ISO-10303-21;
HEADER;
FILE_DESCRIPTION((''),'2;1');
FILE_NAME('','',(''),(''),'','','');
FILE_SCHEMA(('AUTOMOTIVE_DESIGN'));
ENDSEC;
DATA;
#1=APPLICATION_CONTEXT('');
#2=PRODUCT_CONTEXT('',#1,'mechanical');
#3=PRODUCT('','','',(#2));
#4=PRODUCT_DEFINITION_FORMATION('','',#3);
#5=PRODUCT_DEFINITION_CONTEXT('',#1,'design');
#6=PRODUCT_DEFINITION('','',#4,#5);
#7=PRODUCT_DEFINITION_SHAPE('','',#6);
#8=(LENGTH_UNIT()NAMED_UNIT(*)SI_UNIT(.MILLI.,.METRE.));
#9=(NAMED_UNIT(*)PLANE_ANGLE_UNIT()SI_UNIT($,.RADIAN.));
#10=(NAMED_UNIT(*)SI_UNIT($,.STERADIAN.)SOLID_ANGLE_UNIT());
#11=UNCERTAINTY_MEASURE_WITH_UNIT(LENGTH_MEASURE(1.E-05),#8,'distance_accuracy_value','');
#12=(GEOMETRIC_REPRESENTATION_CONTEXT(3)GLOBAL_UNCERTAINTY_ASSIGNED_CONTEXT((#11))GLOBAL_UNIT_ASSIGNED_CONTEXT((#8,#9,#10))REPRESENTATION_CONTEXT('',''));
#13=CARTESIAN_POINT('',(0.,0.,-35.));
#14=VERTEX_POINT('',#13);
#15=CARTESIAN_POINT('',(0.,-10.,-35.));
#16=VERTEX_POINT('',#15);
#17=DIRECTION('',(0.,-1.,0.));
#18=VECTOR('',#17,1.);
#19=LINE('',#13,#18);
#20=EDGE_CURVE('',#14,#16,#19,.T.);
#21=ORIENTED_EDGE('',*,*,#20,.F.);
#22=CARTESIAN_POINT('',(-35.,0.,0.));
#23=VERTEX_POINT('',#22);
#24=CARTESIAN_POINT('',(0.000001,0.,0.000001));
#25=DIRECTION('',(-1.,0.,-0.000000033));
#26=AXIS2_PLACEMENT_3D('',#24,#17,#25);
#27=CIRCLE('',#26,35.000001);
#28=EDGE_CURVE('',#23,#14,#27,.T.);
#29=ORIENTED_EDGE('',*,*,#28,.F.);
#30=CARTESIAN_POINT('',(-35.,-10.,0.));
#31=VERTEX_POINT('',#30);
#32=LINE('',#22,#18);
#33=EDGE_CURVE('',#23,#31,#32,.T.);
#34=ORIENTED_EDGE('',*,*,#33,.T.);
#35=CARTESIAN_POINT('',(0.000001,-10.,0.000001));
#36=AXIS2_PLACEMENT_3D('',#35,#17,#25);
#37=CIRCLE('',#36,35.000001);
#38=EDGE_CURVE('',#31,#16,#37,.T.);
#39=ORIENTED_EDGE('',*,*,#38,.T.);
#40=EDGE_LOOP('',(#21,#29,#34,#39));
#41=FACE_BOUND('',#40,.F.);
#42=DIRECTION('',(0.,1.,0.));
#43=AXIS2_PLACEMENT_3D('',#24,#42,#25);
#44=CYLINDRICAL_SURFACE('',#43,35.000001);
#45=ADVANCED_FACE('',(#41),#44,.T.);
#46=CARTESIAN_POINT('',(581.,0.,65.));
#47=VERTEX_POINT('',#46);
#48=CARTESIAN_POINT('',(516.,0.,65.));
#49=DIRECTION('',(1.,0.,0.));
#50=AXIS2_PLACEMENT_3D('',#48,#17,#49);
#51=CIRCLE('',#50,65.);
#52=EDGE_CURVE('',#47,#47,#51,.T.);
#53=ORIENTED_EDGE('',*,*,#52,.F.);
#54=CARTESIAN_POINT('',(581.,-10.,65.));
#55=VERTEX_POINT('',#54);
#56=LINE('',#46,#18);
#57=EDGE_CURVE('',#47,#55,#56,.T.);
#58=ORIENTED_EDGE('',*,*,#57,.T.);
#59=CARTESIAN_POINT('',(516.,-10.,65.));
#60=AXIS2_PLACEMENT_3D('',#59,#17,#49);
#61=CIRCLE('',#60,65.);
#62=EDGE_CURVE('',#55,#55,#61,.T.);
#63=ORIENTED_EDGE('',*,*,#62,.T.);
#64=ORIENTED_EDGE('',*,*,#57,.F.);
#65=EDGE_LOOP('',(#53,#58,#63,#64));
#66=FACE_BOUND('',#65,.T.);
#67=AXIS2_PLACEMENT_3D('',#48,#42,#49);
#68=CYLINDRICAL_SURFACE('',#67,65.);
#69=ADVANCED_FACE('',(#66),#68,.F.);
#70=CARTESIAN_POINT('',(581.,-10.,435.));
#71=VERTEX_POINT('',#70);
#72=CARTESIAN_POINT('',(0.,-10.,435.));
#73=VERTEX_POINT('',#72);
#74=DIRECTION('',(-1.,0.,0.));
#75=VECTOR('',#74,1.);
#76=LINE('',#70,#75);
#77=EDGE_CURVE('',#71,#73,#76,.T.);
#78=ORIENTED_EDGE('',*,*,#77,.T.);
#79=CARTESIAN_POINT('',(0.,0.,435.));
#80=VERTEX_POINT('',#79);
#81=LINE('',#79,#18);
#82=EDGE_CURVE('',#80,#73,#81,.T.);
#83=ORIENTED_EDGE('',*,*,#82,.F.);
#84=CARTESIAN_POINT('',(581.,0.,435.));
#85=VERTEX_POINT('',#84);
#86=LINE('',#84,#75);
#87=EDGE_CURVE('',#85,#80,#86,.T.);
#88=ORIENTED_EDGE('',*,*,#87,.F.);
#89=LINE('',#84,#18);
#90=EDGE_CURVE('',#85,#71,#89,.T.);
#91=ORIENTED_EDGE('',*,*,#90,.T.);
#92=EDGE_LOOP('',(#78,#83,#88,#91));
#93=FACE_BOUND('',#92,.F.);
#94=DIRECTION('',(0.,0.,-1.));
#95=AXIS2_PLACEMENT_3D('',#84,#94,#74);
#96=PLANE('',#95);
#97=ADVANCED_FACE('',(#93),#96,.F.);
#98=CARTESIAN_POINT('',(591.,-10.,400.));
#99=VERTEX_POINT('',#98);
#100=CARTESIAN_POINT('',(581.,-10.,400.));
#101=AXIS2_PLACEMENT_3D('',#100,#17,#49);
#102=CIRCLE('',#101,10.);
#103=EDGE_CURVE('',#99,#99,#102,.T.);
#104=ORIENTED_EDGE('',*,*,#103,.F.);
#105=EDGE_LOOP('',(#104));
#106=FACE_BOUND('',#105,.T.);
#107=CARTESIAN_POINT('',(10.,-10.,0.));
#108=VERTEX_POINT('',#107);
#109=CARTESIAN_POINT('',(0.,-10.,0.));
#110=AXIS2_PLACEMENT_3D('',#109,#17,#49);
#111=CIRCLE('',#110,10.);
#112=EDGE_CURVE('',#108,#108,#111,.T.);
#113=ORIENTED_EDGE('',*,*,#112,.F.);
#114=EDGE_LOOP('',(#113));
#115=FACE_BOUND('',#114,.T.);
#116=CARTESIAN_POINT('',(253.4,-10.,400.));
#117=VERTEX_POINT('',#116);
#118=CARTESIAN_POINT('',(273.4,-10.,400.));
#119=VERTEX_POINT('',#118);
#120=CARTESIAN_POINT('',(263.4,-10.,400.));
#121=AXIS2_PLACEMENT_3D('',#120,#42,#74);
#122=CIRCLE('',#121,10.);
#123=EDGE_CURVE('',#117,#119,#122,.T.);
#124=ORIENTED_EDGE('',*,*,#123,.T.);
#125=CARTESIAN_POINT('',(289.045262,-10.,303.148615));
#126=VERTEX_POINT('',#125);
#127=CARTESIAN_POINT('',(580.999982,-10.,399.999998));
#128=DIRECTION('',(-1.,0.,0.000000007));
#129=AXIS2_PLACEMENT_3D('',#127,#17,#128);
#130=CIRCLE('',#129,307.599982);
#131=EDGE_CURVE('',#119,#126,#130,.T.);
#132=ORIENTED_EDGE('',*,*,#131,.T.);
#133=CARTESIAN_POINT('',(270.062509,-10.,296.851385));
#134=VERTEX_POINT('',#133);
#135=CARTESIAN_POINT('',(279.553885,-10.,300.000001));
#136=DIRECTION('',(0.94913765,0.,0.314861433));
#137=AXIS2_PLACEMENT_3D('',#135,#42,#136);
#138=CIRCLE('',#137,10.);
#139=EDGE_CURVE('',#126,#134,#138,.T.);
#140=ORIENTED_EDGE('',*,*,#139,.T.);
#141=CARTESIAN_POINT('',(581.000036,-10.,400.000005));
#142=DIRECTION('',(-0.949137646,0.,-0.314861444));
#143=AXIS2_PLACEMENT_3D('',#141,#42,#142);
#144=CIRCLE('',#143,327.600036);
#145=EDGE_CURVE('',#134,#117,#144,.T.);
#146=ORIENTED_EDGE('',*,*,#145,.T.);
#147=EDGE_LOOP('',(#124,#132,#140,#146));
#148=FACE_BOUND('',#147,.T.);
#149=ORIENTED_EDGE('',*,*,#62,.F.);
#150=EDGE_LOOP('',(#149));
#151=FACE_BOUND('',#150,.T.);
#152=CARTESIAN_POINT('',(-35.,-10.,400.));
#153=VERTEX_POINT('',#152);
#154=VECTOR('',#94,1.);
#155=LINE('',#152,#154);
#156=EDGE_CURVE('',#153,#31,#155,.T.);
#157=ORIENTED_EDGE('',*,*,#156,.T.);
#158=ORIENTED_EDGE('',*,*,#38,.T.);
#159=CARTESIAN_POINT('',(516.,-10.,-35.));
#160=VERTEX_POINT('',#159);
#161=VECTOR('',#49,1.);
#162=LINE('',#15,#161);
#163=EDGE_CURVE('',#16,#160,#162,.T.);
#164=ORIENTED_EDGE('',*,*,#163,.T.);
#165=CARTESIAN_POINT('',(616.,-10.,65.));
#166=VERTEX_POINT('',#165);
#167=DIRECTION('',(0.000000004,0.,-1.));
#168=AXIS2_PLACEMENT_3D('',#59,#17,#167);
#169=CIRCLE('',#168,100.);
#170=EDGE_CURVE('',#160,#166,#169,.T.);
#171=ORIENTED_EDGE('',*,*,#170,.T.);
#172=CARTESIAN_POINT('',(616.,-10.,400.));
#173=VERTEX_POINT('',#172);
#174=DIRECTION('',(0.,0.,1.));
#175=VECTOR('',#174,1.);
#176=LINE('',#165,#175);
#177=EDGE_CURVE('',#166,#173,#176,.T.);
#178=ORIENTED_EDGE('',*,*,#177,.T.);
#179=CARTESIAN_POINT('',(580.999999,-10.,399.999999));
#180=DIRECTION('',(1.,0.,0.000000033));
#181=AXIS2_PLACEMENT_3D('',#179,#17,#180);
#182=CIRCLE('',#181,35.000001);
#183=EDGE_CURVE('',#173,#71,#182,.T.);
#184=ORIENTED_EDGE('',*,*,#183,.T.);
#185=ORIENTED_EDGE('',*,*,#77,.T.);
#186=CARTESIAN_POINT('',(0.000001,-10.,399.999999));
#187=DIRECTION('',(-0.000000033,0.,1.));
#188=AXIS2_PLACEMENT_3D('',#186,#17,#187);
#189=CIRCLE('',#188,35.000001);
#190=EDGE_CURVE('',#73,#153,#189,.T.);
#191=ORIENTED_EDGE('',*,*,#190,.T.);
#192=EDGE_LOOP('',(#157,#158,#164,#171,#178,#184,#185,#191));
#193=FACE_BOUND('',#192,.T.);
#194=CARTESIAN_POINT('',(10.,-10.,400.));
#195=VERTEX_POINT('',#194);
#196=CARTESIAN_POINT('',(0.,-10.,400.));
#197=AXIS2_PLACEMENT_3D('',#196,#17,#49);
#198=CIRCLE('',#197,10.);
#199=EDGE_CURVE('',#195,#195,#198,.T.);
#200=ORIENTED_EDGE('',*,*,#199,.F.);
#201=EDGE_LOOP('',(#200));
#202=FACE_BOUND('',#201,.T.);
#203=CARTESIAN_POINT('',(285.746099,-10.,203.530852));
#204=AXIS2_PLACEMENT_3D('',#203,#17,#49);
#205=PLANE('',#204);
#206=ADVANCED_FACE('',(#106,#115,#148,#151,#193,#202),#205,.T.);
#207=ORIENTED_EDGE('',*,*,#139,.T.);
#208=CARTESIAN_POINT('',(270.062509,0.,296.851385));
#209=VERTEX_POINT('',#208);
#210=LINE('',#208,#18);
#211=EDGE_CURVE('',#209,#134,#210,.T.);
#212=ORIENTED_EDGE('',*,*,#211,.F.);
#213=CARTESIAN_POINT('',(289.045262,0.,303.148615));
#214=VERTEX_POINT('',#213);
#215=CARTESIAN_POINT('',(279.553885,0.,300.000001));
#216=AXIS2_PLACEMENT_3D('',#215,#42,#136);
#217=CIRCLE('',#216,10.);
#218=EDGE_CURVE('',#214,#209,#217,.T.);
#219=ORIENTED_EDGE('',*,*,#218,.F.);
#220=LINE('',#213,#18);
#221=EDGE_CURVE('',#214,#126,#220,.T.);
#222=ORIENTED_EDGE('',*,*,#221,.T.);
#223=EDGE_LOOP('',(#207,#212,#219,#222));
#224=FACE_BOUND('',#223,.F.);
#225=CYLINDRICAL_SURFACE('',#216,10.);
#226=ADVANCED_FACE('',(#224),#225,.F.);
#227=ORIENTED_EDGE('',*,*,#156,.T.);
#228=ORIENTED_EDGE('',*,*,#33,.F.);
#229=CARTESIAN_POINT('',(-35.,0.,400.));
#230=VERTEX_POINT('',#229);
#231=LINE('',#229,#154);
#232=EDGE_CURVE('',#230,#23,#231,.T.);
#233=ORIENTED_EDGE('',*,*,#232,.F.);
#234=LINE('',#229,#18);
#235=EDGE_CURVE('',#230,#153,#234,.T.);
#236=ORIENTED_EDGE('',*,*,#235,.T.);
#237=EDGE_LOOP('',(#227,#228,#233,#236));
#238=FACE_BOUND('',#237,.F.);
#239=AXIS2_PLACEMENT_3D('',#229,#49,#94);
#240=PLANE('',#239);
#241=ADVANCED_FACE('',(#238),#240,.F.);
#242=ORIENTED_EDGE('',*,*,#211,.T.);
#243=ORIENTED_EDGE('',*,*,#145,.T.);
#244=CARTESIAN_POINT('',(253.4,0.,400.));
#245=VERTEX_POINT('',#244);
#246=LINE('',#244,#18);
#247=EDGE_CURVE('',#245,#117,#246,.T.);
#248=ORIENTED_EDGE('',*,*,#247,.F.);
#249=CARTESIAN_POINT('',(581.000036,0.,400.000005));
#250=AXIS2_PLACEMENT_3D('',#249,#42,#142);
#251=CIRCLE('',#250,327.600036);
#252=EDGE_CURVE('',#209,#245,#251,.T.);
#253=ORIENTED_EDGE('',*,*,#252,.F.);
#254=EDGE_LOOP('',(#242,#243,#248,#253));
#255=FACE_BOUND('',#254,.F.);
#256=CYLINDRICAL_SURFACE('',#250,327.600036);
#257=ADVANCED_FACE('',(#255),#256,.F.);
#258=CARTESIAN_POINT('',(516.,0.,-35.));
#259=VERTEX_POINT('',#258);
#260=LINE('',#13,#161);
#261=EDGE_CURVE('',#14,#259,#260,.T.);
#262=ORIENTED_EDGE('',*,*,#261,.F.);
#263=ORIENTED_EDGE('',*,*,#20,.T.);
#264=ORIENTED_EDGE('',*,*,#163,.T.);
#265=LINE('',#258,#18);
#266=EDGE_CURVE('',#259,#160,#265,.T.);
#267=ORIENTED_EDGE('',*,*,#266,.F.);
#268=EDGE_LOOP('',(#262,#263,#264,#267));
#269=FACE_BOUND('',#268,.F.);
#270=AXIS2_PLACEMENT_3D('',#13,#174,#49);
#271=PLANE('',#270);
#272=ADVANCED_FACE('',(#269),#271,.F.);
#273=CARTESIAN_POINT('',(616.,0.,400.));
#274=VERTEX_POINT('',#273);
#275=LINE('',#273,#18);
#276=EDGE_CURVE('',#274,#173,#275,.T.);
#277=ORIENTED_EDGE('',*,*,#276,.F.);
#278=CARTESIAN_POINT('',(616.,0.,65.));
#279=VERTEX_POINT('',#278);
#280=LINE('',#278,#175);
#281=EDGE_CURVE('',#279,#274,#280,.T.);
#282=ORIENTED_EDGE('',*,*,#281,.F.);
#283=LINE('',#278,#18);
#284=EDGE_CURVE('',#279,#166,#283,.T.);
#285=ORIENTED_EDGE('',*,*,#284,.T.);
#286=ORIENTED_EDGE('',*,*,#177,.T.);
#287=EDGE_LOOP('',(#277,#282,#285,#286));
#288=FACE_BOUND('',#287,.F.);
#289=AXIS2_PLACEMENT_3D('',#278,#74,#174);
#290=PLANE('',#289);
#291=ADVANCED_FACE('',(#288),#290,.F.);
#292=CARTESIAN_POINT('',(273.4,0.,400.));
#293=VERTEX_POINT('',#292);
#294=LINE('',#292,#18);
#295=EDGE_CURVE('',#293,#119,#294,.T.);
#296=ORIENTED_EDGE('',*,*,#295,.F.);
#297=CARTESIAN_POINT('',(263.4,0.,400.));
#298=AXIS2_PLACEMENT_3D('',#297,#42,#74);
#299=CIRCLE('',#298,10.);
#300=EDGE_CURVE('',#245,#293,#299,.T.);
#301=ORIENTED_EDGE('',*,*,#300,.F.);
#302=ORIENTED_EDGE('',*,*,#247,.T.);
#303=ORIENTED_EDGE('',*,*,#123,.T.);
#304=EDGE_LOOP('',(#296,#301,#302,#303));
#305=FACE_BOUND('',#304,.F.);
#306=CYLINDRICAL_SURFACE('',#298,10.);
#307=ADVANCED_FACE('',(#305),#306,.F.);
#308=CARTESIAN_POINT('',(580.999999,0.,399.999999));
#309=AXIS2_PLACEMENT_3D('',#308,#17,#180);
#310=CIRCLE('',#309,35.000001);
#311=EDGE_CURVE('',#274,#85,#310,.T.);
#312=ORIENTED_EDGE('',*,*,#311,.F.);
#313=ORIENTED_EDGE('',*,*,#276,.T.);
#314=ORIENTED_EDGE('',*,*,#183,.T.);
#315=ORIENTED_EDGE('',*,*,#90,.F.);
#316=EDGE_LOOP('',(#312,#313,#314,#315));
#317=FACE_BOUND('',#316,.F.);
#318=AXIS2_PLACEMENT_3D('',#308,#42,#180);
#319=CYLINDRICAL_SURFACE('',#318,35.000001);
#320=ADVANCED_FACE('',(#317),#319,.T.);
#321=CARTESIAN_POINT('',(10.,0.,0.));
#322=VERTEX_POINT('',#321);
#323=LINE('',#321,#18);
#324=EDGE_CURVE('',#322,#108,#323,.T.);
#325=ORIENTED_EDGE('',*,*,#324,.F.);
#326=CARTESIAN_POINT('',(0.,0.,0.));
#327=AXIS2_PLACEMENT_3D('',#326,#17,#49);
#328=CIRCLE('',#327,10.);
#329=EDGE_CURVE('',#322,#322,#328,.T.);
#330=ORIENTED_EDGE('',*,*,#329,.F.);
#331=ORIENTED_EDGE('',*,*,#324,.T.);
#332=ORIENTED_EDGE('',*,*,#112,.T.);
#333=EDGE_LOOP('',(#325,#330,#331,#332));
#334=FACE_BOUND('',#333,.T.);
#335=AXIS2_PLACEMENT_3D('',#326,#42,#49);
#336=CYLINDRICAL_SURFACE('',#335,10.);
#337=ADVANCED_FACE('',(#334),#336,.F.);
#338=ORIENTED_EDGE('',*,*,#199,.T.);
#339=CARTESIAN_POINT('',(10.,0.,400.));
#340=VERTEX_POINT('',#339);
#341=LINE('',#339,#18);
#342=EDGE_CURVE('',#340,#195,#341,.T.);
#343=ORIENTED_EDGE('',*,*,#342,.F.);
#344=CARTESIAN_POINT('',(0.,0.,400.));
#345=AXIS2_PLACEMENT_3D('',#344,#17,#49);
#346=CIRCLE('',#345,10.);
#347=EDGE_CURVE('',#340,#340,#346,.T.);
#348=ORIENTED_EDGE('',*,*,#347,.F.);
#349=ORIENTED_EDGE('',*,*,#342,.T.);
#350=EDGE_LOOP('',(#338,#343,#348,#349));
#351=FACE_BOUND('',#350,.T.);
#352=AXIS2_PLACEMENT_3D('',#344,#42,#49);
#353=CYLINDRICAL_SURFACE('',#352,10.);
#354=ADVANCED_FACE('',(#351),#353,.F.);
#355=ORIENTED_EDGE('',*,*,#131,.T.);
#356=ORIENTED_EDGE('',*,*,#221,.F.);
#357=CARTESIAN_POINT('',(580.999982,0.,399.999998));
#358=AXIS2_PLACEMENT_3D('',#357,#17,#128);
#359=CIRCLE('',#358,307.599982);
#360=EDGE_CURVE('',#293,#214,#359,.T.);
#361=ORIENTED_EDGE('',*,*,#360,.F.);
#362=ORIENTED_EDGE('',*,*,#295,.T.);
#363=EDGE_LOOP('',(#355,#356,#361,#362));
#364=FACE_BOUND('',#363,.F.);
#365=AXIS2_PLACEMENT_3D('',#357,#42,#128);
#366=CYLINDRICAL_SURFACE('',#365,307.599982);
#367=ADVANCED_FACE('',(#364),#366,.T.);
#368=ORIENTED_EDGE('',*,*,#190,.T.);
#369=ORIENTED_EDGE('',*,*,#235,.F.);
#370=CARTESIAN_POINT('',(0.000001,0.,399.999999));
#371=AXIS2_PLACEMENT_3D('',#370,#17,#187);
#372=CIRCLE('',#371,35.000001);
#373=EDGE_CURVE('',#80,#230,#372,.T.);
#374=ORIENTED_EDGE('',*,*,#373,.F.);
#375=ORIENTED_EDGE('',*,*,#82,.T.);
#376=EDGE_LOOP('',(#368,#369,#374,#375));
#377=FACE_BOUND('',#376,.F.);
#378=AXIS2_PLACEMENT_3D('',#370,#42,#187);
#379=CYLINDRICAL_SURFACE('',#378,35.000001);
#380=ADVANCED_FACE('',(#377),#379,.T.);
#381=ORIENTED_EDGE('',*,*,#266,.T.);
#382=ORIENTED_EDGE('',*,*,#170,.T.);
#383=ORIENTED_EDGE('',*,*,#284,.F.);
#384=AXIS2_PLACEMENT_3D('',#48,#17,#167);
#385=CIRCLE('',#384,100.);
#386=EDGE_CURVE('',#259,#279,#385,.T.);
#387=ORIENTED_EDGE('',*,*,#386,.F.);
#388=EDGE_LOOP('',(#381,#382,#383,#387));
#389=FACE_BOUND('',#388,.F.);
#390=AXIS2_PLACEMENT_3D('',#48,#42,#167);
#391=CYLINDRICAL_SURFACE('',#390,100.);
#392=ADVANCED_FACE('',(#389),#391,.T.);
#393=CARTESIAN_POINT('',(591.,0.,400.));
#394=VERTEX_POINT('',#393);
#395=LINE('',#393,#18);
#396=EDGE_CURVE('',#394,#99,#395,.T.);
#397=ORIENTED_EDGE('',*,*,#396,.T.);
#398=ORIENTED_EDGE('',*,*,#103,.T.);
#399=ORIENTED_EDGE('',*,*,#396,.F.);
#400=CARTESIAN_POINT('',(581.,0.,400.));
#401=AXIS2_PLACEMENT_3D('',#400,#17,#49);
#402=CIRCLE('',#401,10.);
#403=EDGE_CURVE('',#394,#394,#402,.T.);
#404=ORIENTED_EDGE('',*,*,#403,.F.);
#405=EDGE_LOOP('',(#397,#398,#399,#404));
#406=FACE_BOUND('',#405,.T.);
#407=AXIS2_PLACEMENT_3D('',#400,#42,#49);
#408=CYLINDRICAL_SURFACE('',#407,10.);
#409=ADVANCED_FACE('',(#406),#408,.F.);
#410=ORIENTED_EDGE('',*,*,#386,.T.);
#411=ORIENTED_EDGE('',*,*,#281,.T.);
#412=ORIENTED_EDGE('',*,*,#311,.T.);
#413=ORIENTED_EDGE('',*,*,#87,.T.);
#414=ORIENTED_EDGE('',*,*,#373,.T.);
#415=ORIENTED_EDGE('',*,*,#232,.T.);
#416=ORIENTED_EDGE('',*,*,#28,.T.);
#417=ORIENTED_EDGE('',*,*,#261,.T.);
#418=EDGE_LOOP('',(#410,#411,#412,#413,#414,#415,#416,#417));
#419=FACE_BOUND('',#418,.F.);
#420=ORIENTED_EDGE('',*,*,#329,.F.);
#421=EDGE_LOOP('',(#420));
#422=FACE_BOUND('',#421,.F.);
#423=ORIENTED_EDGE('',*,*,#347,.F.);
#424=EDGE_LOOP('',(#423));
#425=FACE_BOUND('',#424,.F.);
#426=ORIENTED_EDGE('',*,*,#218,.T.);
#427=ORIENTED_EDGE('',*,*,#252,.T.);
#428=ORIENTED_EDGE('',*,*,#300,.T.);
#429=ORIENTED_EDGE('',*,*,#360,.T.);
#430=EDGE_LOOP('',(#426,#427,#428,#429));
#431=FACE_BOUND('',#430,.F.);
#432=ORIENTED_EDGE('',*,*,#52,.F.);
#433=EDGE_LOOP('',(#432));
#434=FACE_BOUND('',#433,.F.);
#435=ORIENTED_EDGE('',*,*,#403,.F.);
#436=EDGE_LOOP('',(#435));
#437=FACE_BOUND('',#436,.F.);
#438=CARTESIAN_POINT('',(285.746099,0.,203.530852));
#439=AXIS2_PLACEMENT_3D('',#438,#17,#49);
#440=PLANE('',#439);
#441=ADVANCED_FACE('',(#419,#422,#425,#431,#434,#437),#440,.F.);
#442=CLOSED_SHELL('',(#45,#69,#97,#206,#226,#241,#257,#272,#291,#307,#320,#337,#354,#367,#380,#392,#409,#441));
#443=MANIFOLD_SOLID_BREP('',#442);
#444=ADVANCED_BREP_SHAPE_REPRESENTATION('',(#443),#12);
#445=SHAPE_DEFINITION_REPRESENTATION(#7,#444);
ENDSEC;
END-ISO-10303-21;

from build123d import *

# Parameters (mm, degrees)
F0_R     = 10
F0_R_2   = 65
F1_DEPTH = 10


with BuildPart() as f1:
    # F0 (on Front) → F1 (new body)
    with BuildSketch(Plane.XZ):
        with BuildLine():
            Line((-35, 400), (-35, 0))
            ThreePointArc((-35, 0), (-24.748737, -24.748737), (0, -35))
            Line((0, -35), (516, -35))
            ThreePointArc((516, -35), (586.710678, -5.710678), (616, 65))
            Line((616, 65), (616, 400))
            ThreePointArc((616, 400), (605.748737, 424.748737), (581, 435))
            Line((581, 435), (263.4, 435))
            Line((263.4, 435), (0, 435))
            ThreePointArc((0, 435), (-24.748737, 424.748737), (-35, 400))
        make_face()
        Circle(F0_R, mode=Mode.SUBTRACT)
        with Locations((516, 65)):
            Circle(F0_R_2, mode=Mode.SUBTRACT)
        with Locations((0, 400)):
            Circle(F0_R, mode=Mode.SUBTRACT)
        with BuildLine():
            ThreePointArc((270.062509, 296.851385), (257.592454, 347.757116), (253.4, 400))
            ThreePointArc((253.4, 400), (263.4, 410), (273.4, 400))
            ThreePointArc((273.4, 400), (277.336504, 350.946547), (289.045262, 303.148615))
            ThreePointArc((289.045262, 303.148615), (282.7025, 290.508624), (270.062509, 296.851385))
        make_face(mode=Mode.SUBTRACT)
        with Locations((581, 400)):
            Circle(F0_R, mode=Mode.SUBTRACT)
    extrude(amount=F1_DEPTH)


solid = f1.part
